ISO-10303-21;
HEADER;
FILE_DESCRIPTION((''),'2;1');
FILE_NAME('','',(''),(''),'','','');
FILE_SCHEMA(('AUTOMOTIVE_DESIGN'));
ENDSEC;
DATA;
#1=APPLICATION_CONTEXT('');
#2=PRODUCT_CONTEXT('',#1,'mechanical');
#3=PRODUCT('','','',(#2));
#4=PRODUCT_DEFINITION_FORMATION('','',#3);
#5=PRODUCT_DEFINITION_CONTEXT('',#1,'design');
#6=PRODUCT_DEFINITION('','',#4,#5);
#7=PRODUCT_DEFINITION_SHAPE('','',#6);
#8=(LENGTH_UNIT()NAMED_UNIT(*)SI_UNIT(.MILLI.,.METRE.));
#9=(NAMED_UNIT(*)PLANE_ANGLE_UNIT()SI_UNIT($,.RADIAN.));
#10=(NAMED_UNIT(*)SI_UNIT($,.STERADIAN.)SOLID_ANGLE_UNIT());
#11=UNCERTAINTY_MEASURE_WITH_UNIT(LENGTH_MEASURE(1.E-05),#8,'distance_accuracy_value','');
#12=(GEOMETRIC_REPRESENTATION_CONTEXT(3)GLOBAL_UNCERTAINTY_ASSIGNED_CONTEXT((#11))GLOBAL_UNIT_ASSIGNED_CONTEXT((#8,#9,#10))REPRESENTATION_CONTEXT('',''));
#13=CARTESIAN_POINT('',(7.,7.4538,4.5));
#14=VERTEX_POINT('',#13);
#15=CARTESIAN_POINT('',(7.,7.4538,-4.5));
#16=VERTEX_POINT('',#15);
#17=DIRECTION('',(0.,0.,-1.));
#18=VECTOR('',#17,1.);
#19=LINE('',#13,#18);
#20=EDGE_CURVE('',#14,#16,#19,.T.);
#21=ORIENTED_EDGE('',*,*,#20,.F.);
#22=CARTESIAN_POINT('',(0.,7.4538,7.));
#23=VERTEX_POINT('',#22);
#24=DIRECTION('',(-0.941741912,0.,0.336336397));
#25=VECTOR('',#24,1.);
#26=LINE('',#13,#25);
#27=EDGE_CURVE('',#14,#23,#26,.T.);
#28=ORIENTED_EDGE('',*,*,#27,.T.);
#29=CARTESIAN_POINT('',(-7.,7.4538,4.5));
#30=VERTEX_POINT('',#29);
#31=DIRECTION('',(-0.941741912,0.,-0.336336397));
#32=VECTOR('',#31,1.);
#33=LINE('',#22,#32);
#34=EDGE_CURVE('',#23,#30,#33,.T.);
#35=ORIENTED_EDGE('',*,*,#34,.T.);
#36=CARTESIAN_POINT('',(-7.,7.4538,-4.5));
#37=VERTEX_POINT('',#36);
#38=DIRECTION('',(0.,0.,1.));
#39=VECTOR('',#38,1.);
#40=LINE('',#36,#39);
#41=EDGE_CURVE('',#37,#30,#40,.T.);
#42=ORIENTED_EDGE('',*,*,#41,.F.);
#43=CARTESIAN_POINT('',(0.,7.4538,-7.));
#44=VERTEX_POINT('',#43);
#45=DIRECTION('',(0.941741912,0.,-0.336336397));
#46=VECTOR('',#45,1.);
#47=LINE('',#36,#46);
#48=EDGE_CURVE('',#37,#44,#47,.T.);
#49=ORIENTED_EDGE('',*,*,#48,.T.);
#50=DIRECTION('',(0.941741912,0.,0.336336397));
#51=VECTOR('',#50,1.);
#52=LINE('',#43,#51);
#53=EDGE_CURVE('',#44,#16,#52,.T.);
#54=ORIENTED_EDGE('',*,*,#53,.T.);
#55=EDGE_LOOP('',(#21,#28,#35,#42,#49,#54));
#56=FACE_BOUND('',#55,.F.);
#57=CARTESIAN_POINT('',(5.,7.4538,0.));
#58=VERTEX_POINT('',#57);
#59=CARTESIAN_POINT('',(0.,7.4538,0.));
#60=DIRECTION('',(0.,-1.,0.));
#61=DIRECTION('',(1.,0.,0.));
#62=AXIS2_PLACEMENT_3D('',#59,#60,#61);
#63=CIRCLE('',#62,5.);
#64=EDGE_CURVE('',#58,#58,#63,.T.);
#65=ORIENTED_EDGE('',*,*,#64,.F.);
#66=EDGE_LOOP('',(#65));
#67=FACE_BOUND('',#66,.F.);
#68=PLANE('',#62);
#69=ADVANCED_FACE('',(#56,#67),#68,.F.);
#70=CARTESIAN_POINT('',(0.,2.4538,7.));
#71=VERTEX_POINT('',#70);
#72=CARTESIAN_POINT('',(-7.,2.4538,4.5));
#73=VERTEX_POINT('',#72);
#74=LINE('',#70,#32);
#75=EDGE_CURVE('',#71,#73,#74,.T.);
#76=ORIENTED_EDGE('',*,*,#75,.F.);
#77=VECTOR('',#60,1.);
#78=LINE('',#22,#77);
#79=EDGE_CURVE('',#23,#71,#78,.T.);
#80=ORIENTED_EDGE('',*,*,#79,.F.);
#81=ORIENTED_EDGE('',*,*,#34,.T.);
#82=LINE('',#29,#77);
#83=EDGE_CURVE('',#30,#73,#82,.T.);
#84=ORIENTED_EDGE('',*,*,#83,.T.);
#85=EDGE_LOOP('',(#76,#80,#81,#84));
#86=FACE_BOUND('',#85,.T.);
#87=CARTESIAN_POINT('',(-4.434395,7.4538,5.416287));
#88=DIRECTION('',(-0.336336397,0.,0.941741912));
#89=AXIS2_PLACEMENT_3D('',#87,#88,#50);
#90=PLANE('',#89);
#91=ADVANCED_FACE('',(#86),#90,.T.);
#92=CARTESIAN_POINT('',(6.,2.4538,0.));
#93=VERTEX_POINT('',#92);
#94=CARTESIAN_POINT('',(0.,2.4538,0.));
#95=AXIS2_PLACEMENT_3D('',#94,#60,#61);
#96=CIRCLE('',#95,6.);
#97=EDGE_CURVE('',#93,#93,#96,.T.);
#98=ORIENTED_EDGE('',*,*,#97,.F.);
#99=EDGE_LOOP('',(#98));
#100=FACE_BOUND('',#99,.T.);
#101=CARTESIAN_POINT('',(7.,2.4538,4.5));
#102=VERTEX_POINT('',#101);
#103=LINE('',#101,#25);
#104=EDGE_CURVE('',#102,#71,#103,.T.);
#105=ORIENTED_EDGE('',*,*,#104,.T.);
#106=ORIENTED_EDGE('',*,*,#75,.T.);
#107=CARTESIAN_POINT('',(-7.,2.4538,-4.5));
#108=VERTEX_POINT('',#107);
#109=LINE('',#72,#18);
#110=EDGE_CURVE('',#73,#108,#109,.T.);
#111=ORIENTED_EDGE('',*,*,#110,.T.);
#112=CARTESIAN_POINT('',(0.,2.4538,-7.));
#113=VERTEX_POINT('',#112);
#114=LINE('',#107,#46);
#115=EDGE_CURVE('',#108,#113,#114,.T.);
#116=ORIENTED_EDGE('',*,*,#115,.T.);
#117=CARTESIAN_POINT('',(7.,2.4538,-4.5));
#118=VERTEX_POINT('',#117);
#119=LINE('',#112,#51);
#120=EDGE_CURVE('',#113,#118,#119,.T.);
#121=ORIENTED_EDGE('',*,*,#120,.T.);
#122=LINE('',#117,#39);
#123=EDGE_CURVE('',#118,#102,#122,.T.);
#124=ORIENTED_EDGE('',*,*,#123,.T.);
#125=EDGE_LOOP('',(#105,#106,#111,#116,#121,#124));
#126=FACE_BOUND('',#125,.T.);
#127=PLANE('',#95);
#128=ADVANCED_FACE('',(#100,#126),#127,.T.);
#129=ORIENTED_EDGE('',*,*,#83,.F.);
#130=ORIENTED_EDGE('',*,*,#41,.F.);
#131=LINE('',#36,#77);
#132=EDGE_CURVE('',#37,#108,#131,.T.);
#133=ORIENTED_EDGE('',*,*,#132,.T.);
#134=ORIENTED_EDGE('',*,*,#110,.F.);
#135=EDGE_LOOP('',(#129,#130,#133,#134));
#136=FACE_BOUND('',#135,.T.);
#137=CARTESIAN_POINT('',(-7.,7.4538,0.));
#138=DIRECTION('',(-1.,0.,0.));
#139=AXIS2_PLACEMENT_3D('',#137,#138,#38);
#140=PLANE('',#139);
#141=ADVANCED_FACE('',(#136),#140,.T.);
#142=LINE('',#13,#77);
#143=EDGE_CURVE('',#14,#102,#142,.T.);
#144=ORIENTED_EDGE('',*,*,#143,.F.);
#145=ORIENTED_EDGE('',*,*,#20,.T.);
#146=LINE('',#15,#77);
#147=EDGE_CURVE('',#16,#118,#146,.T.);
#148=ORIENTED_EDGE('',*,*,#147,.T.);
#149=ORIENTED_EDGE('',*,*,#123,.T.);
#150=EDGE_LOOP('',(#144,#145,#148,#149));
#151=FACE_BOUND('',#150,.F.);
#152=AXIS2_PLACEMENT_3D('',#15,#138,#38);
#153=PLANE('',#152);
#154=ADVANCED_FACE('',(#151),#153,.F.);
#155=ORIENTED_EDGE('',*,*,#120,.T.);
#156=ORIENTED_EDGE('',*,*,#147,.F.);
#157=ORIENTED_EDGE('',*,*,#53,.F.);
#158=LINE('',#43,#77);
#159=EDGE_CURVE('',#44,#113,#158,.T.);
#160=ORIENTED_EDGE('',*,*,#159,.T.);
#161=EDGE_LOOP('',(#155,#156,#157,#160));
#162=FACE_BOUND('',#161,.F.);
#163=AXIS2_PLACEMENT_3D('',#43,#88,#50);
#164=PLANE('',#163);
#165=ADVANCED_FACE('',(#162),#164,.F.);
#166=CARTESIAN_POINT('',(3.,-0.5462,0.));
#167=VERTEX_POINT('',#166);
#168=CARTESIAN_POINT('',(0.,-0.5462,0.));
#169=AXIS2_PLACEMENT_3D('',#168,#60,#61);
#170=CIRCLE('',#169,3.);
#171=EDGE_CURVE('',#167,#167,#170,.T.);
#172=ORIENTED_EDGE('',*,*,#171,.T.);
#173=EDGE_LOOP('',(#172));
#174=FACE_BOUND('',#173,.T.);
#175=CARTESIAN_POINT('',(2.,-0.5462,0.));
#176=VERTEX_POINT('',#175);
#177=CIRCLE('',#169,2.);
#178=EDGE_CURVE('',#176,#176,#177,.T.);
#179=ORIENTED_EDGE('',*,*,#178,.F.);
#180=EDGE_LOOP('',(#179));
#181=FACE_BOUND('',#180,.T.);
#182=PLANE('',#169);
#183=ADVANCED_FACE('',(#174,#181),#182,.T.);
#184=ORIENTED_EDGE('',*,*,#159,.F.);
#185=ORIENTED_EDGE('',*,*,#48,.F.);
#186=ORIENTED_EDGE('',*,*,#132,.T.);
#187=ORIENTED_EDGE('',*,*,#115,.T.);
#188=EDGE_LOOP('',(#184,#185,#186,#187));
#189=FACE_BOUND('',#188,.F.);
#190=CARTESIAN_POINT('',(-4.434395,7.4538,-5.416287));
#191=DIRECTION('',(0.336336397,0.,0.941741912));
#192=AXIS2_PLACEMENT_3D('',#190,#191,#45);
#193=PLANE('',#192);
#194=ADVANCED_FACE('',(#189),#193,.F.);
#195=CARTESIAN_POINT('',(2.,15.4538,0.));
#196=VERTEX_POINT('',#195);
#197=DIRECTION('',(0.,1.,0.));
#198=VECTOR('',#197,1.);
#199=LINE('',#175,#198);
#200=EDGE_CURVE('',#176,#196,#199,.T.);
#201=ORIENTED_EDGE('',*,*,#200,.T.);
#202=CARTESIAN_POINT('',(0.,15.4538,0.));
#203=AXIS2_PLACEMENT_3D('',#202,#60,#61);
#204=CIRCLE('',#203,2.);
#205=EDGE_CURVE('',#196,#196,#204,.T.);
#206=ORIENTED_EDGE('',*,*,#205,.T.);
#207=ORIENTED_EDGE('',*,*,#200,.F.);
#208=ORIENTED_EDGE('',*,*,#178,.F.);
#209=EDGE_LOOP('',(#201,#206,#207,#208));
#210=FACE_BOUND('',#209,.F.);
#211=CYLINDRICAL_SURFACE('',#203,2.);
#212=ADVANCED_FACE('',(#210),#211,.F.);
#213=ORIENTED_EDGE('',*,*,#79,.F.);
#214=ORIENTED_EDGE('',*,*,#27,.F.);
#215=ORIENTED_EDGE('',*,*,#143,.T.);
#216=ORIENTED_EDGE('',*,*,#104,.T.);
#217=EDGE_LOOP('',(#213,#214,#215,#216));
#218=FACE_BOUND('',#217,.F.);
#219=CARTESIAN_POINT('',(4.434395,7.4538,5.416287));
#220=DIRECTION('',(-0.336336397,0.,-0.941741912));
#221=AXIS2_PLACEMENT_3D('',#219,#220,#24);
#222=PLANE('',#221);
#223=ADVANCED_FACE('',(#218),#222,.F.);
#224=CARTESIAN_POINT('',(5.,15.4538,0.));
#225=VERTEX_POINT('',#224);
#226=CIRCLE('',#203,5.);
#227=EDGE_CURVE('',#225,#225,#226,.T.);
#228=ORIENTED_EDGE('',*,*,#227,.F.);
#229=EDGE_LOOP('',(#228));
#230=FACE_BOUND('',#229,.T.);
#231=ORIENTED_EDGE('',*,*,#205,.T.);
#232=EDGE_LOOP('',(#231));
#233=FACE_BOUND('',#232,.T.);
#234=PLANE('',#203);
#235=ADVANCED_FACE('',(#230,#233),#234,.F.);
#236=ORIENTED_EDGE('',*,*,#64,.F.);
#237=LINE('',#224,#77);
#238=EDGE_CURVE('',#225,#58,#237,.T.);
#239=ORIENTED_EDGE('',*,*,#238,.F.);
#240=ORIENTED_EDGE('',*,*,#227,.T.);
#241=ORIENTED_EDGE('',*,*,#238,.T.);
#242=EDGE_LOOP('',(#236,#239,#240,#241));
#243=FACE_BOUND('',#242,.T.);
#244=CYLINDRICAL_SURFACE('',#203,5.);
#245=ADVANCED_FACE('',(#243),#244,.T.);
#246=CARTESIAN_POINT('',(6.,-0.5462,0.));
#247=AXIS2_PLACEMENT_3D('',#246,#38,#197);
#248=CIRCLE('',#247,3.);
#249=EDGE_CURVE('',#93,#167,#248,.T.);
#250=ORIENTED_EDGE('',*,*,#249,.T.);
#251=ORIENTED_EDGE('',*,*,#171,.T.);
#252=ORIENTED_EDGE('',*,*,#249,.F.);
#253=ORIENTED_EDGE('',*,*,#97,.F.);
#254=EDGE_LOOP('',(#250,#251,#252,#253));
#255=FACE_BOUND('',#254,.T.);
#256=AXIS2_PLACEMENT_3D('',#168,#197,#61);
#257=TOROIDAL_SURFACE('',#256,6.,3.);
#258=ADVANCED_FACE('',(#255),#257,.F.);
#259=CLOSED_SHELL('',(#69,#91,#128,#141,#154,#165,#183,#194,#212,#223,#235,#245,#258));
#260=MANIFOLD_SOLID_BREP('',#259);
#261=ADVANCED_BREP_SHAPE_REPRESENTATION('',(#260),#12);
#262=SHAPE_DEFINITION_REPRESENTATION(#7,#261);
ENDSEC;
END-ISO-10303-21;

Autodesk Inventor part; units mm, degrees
ref_plane "YZ Plane" through (0, 0, 0) normal (1, 0, 0) x (0, 1, 0)
ref_plane "XZ Plane" through (0, 0, 0) normal (0, 1, 0) x (-1, 0, 0)
ref_plane "XY Plane" through (0, 0, 0) normal (0, 0, 1) x (1, 0, 0)
sketch "Boceto1" plane through (0, 0, 0) normal (0, 0, 1) x (1, 0, 0)
  line L0 (0, 21.3006) -> (0, 0)
  line L1 (0, 15.4538) -> (5, 15.4538)
  line L2 (5, 15.4538) -> (5, 7.4538)
  line L3 (5, 7.4538) -> (0, 7.4538)
  line L4 (7, 7.4538) -> (5, 7.4538)
  line L5 (7, 7.4538) -> (7, 2.4538)
  line L6 (7, 2.4538) -> (0, 2.4538)
  line L7 (3, 2.4538) -> (3, 0.9538)
  line L8 (2, 15.4538) -> (2, -0.5462)
  line L9 (3, -0.5462) -> (2, -0.5462)
  line L10 (0, 0.6254) -> (0, -1.387)
  line L11 (3, -0.5462) -> (3, -0.5462)
  arc A0 (6, 2.4538) -> (3, -0.5462) centre (6, -0.5462) ccw
  line L12 (3, 0.9538) -> (3, -0.5462)
  point P0 (2, 2.4538)
  point P1 (2, 7.4538)
  dimension "d0" = 10
  dimension "d1" = 4
  dimension "d2" = 14
  dimension "d4" = 5
  dimension "d6" = 8
  dimension "d9" = 15.4538
  dimension "d10" = 13.8468
  dimension "d11" = 1.8283
  dimension "d12" = 3.8408
  dimension "d16" = 3
  dimension "d17" = 1
  dimension "d18" = 4
  dimension "d19" = 0.5462
  dimension "d20" = 6
  dimension "d21" = 1
revolve "Revolución1" add sketch "Boceto1" angle 360 about axis through (0, 21.3006, 0) along (0, -1, 0) contours L1 L2 L3 L8 | L3 L4 L5 L6 L8 | L6 L7 L12 L9 L8
revolve "Revolución2" add sketch "Boceto1" angle 360 about axis through (0, 0.6254, 0) along (0, -1, 0) contours L6 A0 L12 L7
sketch "Boceto2" plane through (0, 7.4538, 0) normal (0, 1, 0) x (1, 0, 0)
  line L0 (0, 11.3393) -> (0, -11.3393) construction
  line L1 (-23.3185, 0) -> (23.3185, 0) construction
  line L2 (7, 4.5) -> (7, -4.5)
  line L3 (-7, 4.5) -> (-7, -4.5)
  circle A0 centre (0, 0) radius 7 projected
  line L4 (-7, 4.5) -> (0, 7)
  line L5 (0, 7) -> (7, 4.5)
  line L6 (-7, -4.5) -> (0, -7)
  line L7 (7, -4.5) -> (0, -7)
  arc A1 (0, 7) -> (-4.4344, 5.4163) centre (0, 0) ccw
  arc A2 (4.4344, 5.4163) -> (0, 7) centre (0, 0) ccw
  arc A3 (0, -7) -> (4.4344, -5.4163) centre (0, 0) ccw
  arc A4 (-4.4344, -5.4163) -> (0, -7) centre (0, 0) ccw
  point P0 (7, 0)
  point P1 (-7, 0)
  point P2 (0, -7)
  point P3 (0, -7)
  point P4 (0, 7)
  point P5 (0, 7)
  point P6 (7, 0)
  point P7 (-7, 0)
  dimension "d24" = 9
  dimension "d26" = 9
  dimension "d27" = 7
  dimension "d28" = 7
extrude "Extrusión1" cut sketch "Boceto2" against normal through all contours A0 L7 | A0 L6
extrude "Extrusión2" cut sketch "Boceto2" against normal through all contours L5 A0 | L4 A0
extrude "Extrusión3" add sketch "Boceto2" against normal blind 5 contours L2 A0 L5 | L2 L7 A0 | A0 L3 L4 | L6 L3 A0
thread "Rosca1" size "M10x1.25" class "6g" standard "ANSI Metric M Profile" length 14
properties part number "1-HUDSON-8-30-TDR HAND PUMP BODY BOTTOM INLET"
